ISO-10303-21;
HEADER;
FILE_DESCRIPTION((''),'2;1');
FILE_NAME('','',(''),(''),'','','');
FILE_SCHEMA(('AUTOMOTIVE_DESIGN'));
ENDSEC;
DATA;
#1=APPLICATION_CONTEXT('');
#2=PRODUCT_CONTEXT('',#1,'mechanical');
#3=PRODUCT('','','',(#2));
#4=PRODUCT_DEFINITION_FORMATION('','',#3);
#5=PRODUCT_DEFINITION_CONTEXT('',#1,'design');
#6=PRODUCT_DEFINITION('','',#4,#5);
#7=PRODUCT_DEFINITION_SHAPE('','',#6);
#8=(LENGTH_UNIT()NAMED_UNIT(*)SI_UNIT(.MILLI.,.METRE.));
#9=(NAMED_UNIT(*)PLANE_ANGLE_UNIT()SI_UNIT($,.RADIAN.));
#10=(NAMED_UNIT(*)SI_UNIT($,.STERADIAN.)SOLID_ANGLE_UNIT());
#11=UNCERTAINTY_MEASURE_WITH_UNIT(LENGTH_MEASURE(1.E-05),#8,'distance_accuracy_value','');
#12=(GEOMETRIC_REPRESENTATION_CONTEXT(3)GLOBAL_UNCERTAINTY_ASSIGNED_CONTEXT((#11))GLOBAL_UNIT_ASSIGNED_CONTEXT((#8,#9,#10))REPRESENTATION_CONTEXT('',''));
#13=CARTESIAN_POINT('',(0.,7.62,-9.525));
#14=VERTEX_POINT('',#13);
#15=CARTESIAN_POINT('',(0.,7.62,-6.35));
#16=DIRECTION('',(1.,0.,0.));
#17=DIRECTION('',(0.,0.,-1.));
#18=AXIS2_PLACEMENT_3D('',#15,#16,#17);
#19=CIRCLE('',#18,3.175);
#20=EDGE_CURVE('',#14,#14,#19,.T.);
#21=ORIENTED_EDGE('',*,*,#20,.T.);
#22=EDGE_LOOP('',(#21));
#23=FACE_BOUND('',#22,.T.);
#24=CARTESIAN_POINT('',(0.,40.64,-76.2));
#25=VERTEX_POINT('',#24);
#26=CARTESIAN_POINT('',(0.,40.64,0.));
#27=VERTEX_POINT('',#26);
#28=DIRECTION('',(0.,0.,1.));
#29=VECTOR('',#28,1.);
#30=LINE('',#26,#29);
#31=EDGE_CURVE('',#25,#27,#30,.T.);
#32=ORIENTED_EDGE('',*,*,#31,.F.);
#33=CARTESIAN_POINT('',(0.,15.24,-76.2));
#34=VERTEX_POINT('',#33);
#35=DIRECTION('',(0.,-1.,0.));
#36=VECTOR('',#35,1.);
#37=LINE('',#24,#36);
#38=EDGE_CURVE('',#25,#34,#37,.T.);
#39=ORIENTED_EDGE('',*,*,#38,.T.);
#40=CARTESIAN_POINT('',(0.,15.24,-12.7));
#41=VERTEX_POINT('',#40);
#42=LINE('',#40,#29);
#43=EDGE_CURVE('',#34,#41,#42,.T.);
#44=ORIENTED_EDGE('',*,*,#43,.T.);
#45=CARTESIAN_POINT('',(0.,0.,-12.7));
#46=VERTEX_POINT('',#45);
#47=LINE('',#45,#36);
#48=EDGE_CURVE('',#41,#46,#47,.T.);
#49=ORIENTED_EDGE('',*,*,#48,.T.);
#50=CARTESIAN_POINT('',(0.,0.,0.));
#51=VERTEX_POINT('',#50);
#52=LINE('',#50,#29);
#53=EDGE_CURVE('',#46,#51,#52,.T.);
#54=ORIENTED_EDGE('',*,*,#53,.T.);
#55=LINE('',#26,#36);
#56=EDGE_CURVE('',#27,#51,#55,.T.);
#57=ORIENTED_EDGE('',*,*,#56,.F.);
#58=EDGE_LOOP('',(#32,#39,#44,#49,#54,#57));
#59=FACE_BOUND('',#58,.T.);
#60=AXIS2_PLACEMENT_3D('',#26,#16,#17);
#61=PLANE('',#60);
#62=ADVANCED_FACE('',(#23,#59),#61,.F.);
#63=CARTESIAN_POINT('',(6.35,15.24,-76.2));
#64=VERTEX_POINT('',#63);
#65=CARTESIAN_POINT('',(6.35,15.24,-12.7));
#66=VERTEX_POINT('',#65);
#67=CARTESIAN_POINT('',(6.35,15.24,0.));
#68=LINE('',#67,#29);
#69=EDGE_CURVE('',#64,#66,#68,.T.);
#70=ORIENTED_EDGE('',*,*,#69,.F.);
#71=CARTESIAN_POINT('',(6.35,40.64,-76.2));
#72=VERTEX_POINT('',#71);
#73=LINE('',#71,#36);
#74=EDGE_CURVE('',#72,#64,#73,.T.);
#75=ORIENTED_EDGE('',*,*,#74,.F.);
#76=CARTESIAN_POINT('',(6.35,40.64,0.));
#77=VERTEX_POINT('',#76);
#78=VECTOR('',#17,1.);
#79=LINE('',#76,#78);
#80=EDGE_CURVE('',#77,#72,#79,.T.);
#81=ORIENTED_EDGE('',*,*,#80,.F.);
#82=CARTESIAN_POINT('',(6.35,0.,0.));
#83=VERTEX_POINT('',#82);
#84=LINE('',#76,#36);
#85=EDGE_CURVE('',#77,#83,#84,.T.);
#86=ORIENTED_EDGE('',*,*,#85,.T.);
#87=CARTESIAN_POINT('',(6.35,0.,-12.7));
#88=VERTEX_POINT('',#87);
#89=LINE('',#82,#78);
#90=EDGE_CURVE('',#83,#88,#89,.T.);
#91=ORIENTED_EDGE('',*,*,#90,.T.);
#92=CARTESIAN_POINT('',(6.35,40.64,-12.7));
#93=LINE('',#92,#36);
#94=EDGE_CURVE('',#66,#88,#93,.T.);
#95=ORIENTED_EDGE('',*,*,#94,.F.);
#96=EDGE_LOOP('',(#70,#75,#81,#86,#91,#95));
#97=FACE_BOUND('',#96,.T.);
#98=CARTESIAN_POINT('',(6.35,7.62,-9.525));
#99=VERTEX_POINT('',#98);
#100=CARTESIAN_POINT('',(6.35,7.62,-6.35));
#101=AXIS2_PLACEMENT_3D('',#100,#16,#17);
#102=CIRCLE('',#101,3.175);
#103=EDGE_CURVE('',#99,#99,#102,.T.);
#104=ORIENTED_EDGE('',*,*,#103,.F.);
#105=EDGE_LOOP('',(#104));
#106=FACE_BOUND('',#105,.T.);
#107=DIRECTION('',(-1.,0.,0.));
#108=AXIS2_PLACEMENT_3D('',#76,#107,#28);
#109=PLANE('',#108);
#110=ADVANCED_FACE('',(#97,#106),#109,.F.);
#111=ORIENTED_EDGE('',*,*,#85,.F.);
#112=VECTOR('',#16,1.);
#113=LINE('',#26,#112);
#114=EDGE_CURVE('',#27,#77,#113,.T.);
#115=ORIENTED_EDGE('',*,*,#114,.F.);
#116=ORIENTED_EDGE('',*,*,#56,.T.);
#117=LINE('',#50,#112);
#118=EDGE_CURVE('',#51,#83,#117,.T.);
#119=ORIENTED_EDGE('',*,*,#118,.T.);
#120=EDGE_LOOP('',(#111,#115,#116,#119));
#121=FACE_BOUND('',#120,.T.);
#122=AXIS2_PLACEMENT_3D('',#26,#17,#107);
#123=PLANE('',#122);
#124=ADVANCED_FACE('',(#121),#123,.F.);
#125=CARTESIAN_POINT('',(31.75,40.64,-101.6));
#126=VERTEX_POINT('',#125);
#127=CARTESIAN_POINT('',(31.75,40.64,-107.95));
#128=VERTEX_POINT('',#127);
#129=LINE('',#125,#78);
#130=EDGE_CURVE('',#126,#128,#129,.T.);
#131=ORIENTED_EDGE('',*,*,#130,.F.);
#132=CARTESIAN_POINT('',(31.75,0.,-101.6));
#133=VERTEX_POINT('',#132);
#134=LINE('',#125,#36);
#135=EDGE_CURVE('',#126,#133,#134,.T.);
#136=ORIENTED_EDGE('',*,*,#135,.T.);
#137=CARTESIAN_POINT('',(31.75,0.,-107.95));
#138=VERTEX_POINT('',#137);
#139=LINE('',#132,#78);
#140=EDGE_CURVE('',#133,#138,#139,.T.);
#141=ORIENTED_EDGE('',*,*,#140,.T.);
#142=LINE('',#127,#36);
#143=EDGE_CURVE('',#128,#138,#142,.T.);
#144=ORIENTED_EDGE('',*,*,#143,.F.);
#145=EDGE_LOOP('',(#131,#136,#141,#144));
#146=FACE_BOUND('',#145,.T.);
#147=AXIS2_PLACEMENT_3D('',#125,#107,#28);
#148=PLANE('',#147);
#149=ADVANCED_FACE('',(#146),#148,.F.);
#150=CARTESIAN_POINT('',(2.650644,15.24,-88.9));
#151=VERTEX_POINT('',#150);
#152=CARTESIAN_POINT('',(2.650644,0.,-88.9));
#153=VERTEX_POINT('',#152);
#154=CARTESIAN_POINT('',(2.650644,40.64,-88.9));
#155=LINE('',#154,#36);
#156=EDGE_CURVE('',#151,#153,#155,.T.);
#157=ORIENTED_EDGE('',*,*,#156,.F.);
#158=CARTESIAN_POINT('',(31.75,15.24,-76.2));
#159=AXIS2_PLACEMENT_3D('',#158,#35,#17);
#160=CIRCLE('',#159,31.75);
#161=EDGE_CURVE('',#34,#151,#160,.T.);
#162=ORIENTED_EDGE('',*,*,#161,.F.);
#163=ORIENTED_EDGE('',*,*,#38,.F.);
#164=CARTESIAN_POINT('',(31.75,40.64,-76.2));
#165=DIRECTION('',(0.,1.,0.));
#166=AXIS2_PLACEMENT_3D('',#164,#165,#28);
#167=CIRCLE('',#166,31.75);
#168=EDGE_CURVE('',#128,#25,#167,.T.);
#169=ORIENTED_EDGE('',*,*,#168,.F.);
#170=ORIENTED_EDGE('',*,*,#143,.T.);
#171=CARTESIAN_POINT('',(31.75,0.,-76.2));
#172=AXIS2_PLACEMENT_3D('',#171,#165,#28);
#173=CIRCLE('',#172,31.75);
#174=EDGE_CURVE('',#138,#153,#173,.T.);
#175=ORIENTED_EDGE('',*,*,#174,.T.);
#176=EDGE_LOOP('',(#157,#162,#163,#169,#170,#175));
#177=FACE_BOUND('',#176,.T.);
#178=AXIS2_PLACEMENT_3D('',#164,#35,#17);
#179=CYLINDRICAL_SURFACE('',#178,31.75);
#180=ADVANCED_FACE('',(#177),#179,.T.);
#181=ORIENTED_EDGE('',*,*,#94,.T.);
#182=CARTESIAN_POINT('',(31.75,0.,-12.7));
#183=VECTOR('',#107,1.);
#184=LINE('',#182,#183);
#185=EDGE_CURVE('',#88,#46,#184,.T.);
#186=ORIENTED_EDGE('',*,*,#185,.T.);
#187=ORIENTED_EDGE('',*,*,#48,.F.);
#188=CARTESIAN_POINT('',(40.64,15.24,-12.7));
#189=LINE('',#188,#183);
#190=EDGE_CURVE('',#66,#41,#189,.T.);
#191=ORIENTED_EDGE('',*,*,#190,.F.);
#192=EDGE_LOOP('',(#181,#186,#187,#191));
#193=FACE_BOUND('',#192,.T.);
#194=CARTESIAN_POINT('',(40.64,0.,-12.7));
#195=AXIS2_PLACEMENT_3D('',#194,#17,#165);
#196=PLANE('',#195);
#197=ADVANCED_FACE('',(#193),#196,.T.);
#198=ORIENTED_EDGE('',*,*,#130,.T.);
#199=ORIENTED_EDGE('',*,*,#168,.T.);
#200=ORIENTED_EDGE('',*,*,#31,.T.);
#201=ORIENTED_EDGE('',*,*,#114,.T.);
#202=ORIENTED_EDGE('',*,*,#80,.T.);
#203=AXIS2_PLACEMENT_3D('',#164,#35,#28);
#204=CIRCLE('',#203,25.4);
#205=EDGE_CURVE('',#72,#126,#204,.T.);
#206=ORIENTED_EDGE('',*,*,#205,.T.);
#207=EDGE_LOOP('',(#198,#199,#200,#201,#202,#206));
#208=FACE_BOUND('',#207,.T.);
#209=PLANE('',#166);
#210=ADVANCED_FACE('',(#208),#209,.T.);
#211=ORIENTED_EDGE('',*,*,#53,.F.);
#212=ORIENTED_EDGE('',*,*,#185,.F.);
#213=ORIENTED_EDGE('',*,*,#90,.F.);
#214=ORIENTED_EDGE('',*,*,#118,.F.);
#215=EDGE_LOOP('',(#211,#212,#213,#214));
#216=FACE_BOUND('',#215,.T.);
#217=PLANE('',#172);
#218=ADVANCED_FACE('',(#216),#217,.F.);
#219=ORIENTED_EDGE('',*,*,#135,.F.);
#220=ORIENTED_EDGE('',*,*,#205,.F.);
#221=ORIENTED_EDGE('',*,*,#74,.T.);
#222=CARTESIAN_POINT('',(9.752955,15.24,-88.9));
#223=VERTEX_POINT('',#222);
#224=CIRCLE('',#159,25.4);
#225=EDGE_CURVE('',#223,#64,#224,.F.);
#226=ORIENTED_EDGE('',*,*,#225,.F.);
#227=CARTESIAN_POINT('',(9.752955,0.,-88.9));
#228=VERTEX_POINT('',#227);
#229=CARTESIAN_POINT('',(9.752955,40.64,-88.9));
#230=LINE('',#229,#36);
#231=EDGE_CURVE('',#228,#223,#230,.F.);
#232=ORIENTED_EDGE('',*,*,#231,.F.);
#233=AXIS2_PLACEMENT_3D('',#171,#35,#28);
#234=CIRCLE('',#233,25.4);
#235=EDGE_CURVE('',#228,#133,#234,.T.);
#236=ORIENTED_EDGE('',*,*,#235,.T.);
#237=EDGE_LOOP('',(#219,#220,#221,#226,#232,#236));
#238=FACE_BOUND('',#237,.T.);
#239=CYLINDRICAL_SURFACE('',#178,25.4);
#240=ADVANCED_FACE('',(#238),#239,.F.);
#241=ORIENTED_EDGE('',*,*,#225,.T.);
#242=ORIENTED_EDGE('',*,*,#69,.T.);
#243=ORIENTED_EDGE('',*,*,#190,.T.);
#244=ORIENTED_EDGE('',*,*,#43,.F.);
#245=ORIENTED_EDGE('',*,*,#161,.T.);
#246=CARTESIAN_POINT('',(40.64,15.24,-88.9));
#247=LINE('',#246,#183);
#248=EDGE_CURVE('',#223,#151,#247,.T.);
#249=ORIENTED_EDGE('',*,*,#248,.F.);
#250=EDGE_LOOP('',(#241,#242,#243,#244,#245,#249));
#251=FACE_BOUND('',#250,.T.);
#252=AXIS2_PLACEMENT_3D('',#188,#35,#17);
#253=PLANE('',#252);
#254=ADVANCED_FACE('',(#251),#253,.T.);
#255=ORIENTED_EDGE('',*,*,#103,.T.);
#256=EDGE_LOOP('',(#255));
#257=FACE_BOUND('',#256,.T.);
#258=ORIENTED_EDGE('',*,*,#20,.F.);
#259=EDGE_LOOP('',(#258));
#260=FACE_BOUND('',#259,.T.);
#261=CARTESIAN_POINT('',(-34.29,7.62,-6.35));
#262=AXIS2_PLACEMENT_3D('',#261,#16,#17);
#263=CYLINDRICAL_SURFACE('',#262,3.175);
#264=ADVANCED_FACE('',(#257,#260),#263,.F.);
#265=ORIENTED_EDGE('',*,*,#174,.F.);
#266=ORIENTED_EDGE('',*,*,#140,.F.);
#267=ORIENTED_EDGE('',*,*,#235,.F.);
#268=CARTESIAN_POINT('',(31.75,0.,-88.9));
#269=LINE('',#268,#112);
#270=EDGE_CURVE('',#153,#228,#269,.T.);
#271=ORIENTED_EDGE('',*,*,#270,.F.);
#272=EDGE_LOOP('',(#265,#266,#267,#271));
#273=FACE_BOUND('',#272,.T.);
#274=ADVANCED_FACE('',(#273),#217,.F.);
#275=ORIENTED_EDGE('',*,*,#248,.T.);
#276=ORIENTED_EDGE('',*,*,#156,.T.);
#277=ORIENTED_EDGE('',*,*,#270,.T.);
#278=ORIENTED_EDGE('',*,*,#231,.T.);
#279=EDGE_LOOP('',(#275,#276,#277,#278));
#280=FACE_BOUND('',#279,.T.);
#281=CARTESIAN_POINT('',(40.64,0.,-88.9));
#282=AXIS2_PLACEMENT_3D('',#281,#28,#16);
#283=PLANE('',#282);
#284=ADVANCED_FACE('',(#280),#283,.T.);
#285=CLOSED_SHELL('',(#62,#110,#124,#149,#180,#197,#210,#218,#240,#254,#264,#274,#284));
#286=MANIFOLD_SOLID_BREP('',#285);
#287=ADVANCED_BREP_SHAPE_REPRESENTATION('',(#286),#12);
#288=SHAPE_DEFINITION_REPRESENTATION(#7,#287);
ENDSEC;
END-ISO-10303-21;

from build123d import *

# Parameters (mm, degrees)
BOSS_EXTRUDE1_DEPTH = 40.64
SKETCH2_R           = 3.175
CUT_EXTRUDE1_DEPTH  = 40.64
SKETCH3_W           = 76.2
SKETCH3_H           = 15.24
CUT_EXTRUDE2_DEPTH  = 40.64


with BuildPart() as part:
    # Sketch1 → Boss-Extrude1 (new body)
    with BuildSketch(Plane(origin=(0, 0, 0), x_dir=(1, 0, 0), z_dir=(0, 1, 0))):
        with BuildLine():
            Line((31.75, 101.6), (31.75, 107.95))
            ThreePointArc((31.75, 107.95), (9.299359697, 98.650640303), (0, 76.2))
            Line((0, 76.2), (0, 0))
            Line((0, 0), (6.35, 0))
            Line((6.35, 0), (6.35, 76.2))
            ThreePointArc((6.35, 76.2), (13.789487758, 94.160512242), (31.75, 101.6))
        make_face()
    extrude(amount=BOSS_EXTRUDE1_DEPTH)

    # Sketch2 → Cut-Extrude1 (cut)
    with BuildSketch(Plane(origin=(6.35, 0, 0), x_dir=(0, 0, -1), z_dir=(1, 0, 0))):
        with Locations((6.35, 7.62)):
            Circle(SKETCH2_R)
    extrude(amount=-CUT_EXTRUDE1_DEPTH, mode=Mode.SUBTRACT)

    # Sketch3 → Cut-Extrude2 (cut)
    with BuildSketch(Plane(origin=(0, 0, 0), x_dir=(0, 0, -1), z_dir=(1, 0, 0))):
        with Locations((50.8, 7.62)):
            Rectangle(SKETCH3_W, SKETCH3_H)
    extrude(amount=CUT_EXTRUDE2_DEPTH, mode=Mode.SUBTRACT)


solid = part.part
